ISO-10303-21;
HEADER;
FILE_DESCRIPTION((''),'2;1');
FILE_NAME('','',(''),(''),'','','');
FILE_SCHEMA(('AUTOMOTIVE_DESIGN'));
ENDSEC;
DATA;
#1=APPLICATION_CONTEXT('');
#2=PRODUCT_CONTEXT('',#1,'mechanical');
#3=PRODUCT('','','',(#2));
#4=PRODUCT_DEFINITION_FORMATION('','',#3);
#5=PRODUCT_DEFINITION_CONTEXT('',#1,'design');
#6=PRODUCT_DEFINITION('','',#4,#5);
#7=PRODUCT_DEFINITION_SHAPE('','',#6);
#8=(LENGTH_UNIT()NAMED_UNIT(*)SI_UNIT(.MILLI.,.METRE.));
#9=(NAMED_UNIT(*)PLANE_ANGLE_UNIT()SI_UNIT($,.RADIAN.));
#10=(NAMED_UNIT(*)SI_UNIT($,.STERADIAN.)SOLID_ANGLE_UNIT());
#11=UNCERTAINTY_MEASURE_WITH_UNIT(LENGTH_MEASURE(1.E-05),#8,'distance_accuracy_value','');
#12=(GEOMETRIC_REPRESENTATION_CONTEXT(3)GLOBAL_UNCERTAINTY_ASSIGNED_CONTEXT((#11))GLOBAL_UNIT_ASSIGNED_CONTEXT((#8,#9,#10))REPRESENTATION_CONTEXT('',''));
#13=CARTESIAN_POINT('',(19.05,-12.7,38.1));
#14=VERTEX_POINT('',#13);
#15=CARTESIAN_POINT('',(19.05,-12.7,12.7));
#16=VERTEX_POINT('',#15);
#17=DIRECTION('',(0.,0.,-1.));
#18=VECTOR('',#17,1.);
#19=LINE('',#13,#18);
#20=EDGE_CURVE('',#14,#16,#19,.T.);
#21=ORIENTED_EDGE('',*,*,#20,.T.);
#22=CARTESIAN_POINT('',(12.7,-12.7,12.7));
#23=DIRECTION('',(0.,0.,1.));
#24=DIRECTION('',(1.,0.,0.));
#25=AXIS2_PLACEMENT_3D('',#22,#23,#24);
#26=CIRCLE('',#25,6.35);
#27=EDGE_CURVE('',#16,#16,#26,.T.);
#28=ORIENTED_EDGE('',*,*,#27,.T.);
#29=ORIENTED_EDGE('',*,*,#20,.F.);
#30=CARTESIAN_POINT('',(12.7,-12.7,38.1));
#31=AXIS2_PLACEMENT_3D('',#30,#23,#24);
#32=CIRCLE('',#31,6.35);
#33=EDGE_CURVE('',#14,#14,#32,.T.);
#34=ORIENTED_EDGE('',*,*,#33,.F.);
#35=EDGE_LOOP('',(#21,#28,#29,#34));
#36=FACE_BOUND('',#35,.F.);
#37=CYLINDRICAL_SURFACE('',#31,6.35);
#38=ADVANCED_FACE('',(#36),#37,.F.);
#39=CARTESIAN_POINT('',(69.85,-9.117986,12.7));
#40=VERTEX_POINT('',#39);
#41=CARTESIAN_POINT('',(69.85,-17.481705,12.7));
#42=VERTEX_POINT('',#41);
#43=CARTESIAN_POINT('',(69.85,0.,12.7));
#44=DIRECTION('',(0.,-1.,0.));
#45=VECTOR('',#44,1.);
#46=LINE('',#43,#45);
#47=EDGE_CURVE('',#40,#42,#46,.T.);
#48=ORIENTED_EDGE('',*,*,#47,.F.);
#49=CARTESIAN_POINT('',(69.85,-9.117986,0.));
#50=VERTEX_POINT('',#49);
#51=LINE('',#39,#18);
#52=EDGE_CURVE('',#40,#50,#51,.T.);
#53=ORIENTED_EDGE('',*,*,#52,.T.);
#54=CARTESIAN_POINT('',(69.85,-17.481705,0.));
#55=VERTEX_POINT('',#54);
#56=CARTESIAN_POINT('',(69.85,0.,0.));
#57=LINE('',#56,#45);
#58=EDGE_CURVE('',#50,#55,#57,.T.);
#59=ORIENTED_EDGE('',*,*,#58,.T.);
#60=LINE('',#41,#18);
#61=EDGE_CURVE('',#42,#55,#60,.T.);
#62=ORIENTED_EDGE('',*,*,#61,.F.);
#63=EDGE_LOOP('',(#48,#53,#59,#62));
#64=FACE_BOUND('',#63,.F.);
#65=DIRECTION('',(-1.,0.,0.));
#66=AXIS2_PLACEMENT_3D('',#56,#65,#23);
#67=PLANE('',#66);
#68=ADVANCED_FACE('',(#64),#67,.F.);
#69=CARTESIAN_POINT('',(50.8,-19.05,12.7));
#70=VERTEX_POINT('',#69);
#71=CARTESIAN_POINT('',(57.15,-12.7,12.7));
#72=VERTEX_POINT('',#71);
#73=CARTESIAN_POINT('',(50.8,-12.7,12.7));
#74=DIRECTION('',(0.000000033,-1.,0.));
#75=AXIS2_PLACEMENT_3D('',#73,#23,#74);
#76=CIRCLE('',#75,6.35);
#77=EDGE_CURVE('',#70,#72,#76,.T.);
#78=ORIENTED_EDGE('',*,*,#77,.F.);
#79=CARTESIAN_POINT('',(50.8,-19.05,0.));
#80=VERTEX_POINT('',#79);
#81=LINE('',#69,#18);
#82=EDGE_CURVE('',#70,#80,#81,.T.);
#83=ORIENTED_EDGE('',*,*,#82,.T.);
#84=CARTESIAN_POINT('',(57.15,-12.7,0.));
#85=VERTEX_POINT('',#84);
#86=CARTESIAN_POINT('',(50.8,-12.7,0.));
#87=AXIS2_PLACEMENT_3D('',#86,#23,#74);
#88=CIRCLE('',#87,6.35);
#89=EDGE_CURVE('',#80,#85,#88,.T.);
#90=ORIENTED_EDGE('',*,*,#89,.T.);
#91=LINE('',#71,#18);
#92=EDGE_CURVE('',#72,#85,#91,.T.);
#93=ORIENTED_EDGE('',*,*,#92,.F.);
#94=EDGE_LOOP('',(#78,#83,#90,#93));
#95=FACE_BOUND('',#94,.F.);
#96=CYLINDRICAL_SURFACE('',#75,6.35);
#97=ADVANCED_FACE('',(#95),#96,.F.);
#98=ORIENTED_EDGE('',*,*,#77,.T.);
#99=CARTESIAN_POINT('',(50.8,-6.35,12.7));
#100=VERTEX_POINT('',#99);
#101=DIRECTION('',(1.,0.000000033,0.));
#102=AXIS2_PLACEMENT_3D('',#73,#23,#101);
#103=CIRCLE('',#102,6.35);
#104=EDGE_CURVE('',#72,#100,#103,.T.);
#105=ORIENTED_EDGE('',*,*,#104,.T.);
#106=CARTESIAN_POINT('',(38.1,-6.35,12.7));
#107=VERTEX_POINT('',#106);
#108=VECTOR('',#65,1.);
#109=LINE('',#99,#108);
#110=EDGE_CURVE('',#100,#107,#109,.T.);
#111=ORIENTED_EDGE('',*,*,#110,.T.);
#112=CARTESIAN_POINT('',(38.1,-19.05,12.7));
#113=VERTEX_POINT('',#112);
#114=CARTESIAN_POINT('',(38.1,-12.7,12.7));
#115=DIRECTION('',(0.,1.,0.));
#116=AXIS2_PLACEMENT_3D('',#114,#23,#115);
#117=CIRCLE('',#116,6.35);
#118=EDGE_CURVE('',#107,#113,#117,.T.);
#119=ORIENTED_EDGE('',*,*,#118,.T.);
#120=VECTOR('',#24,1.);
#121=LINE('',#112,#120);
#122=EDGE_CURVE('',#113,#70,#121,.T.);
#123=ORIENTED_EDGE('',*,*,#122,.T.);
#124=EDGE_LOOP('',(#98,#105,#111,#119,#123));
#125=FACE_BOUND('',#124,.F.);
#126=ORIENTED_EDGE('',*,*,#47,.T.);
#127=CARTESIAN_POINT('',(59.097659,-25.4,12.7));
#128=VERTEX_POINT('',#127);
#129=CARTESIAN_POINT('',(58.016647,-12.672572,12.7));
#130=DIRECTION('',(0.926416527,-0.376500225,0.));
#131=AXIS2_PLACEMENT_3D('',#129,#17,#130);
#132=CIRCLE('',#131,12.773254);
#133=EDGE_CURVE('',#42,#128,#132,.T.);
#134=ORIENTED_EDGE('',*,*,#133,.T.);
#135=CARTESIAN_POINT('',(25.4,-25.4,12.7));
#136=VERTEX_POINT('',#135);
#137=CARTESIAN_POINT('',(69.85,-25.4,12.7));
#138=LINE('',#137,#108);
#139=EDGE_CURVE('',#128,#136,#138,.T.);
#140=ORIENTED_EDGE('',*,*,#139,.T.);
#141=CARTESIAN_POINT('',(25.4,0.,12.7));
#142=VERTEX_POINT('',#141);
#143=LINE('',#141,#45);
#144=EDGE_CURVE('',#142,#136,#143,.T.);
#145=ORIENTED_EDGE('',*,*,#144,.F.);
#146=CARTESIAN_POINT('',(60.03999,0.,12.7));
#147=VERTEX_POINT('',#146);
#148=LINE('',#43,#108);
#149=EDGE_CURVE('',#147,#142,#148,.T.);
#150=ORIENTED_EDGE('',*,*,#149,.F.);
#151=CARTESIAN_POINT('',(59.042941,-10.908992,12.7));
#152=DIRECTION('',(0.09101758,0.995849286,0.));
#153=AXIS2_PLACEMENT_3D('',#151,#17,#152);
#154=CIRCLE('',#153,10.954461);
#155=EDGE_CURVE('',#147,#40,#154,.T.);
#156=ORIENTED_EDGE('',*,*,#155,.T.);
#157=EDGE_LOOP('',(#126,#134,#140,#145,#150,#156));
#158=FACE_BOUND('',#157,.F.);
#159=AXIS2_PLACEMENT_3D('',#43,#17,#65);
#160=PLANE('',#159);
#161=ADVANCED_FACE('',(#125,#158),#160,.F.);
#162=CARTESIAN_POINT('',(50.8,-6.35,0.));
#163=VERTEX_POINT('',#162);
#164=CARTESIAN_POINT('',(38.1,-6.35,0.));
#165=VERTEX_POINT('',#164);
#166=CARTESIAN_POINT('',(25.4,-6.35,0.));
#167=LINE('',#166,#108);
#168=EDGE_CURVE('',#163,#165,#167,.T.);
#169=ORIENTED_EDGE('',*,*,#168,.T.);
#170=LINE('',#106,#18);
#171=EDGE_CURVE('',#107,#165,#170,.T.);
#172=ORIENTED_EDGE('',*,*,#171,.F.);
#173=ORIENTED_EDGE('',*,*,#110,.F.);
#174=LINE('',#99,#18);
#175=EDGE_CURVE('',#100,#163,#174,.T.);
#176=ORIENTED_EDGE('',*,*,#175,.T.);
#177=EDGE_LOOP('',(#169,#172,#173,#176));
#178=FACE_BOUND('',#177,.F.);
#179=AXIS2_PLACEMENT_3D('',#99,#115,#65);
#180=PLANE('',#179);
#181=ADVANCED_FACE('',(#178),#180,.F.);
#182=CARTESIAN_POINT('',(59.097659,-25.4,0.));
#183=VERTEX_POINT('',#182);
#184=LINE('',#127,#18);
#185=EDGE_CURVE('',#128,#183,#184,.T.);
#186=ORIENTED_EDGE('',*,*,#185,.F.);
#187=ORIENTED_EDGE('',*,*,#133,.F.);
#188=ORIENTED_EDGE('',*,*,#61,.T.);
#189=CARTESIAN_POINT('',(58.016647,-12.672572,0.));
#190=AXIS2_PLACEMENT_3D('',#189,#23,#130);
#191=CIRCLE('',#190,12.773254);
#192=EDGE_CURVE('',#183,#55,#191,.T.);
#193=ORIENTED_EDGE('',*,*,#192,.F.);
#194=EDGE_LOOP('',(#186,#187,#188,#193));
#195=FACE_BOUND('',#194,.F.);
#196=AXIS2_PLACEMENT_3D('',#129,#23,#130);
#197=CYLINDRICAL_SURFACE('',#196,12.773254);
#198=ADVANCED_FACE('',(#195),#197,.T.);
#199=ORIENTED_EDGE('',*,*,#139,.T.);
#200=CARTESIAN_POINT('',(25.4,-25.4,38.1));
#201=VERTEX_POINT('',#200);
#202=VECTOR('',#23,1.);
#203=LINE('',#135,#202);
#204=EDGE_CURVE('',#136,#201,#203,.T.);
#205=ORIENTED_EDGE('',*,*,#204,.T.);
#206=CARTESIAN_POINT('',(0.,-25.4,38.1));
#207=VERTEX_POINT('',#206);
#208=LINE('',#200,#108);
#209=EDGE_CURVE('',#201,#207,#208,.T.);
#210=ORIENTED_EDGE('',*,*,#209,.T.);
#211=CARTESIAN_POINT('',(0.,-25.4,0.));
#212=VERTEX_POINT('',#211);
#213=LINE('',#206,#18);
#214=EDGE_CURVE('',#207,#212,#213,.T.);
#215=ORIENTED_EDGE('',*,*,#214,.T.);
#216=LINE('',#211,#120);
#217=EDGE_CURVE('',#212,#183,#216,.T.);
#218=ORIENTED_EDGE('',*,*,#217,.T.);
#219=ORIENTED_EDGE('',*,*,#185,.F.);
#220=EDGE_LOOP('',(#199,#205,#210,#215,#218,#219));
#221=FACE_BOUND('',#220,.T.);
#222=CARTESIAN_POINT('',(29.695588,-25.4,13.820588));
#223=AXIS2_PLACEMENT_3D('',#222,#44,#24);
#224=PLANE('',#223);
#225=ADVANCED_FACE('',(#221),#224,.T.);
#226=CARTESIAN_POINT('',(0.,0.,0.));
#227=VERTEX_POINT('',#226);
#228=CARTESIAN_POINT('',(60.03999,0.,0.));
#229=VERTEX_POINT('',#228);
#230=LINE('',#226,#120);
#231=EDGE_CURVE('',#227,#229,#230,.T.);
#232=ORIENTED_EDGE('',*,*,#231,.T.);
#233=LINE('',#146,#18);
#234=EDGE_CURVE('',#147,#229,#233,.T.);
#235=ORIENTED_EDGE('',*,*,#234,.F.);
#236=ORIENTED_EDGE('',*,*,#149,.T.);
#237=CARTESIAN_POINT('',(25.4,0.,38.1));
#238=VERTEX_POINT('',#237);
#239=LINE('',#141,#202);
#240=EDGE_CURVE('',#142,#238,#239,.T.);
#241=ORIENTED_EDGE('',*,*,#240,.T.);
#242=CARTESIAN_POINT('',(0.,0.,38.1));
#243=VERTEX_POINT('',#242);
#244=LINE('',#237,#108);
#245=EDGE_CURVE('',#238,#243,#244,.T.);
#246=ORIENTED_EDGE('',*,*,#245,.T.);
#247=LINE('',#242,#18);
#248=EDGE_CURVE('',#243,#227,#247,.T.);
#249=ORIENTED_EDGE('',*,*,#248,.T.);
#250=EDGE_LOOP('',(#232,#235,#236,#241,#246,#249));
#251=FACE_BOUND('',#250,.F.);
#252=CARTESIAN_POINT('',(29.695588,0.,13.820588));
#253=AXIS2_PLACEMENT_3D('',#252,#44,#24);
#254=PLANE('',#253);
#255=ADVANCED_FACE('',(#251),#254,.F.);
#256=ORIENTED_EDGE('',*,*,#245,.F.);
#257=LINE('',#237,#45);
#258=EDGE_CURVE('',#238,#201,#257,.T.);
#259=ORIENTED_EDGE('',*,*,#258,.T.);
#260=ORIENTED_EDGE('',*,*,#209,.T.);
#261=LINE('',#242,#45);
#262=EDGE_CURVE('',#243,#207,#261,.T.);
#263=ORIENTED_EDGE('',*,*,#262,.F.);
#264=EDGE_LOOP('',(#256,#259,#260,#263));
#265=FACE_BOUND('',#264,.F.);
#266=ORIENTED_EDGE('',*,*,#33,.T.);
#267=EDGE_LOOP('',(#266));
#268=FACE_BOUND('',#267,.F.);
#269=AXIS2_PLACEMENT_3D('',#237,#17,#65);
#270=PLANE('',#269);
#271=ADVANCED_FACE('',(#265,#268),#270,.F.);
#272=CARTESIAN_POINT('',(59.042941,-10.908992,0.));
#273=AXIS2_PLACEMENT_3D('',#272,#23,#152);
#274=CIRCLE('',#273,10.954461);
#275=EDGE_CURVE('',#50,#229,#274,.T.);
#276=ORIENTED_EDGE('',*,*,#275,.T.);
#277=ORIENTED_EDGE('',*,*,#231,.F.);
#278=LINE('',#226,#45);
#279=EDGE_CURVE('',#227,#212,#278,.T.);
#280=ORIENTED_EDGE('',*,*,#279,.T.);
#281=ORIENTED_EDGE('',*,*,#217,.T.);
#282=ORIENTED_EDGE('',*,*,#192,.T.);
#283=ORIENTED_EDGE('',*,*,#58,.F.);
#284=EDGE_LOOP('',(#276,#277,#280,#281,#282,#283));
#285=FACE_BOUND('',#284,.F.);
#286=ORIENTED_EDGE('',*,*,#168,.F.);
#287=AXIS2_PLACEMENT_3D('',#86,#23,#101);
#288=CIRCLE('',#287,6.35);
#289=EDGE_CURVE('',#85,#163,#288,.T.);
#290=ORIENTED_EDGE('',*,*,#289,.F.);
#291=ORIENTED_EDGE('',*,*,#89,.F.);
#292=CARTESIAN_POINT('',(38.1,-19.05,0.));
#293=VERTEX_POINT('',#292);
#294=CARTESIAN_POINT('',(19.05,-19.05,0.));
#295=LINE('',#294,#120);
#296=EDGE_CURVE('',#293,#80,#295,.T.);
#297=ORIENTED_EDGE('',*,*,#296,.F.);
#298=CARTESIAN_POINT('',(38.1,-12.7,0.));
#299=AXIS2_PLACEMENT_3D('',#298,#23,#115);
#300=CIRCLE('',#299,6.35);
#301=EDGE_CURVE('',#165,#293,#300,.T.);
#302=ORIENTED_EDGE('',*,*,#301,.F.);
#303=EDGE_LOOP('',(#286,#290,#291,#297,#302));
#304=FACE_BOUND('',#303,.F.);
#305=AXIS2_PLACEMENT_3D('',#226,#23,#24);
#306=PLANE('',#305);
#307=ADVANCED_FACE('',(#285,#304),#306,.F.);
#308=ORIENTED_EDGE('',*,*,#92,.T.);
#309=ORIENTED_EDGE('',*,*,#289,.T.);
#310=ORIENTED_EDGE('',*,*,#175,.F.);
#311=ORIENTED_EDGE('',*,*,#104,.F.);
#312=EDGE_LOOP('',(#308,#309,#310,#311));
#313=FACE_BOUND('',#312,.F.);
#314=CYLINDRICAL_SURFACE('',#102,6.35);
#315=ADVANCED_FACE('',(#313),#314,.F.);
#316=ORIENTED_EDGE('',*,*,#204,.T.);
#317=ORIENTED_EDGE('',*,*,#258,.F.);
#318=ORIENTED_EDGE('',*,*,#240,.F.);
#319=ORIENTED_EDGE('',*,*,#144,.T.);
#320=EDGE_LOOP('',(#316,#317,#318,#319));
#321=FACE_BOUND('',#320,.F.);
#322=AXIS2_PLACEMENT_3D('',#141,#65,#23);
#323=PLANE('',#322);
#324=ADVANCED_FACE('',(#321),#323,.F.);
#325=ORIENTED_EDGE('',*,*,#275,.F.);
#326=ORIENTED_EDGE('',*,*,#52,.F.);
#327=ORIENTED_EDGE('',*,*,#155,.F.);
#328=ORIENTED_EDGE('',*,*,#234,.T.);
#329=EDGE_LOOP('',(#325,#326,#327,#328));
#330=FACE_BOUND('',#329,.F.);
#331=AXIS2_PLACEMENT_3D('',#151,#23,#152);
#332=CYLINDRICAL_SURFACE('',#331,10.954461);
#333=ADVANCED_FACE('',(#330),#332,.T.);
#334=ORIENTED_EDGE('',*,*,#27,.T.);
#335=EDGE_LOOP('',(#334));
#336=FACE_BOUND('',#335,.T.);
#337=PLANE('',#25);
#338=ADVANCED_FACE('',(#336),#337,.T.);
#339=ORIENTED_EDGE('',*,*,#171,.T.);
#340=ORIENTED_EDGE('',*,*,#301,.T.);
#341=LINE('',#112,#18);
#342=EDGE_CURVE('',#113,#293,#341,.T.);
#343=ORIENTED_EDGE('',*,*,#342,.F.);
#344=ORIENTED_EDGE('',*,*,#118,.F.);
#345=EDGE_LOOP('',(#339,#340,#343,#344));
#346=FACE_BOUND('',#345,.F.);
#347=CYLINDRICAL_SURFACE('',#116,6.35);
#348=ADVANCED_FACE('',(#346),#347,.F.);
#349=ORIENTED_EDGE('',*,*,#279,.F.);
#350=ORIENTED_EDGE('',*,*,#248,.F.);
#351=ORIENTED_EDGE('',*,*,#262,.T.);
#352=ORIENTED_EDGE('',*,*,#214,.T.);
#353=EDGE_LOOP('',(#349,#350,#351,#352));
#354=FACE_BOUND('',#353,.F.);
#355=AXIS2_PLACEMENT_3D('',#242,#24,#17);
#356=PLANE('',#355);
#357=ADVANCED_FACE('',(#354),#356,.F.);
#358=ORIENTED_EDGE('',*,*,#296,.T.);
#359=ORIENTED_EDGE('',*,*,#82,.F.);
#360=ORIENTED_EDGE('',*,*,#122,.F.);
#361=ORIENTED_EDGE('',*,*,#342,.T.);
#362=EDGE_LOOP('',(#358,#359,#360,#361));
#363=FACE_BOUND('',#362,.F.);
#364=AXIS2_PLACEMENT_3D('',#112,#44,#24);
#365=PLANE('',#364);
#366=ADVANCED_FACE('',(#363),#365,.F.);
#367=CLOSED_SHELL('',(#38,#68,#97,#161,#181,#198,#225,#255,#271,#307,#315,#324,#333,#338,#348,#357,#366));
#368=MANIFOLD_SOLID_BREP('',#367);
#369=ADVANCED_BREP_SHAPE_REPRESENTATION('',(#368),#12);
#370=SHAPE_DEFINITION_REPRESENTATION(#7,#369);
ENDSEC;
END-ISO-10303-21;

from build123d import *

# Parameters (mm, degrees)
F1_DEPTH = 25.4
F3_DEPTH = 25.4
F4_R     = 6.35
F5_DEPTH = 25.4
F7_DEPTH = 25.4


with BuildPart() as f1:
    # F0 (on Front) → F1 (new body)
    with BuildSketch(Plane.XZ):
        Polygon((0, 38.1), (0, 0), (69.85, 0), (69.85, 12.7), (25.4, 12.7), (25.4, 38.1), align=None)
    extrude(amount=F1_DEPTH)

    # F2 (on face) → F3 (cut)
    with BuildSketch(Plane.XY.offset(12.7)):
        with BuildLine():
            ThreePointArc((60.03999, 0), (66.500733, -2.88518), (69.85, -9.117986))
            Line((69.85, -9.117986), (69.85, 0))
            Line((69.85, 0), (60.03999, 0))
        make_face()
        with BuildLine():
            Line((69.85, -25.4), (69.85, -17.481705))
            ThreePointArc((69.85, -17.481705), (65.590949, -22.957802), (59.097659, -25.4))
            Line((59.097659, -25.4), (69.85, -25.4))
        make_face()
    extrude(amount=-F3_DEPTH, mode=Mode.SUBTRACT)

    # F4 (on face) → F5 (cut)
    with BuildSketch(Plane.XY.offset(38.1)):
        with Locations((12.7, -12.7)):
            Circle(F4_R)
    extrude(amount=-F5_DEPTH, mode=Mode.SUBTRACT)

    # F6 (on face) → F7 (cut)
    with BuildSketch(Plane.XY.offset(12.7)):
        with BuildLine():
            ThreePointArc((38.1, -19.05), (42.590128, -17.190128), (44.45, -12.7))
            ThreePointArc((44.45, -12.7), (42.590128, -8.209872), (38.1, -6.35))
            ThreePointArc((38.1, -6.35), (31.75, -12.7), (38.1, -19.05))
        make_face()
        with BuildLine():
            ThreePointArc((50.8, -6.35), (46.309872, -8.209872), (44.45, -12.7))
            ThreePointArc((44.45, -12.7), (46.309872, -17.190128), (50.8, -19.05))
            ThreePointArc((50.8, -19.05), (55.290128, -17.190128), (57.15, -12.7))
            ThreePointArc((57.15, -12.7), (55.290128, -8.209872), (50.8, -6.35))
        make_face()
        with BuildLine():
            ThreePointArc((50.8, -19.05), (46.309872, -17.190128), (44.45, -12.7))
            ThreePointArc((44.45, -12.7), (42.590128, -17.190128), (38.1, -19.05))
            Line((38.1, -19.05), (50.8, -19.05))
        make_face()
        with BuildLine():
            ThreePointArc((38.1, -6.35), (42.590128, -8.209872), (44.45, -12.7))
            ThreePointArc((44.45, -12.7), (46.309872, -8.209872), (50.8, -6.35))
            Line((50.8, -6.35), (38.1, -6.35))
        make_face()
    extrude(amount=-F7_DEPTH, mode=Mode.SUBTRACT)


solid = f1.part
